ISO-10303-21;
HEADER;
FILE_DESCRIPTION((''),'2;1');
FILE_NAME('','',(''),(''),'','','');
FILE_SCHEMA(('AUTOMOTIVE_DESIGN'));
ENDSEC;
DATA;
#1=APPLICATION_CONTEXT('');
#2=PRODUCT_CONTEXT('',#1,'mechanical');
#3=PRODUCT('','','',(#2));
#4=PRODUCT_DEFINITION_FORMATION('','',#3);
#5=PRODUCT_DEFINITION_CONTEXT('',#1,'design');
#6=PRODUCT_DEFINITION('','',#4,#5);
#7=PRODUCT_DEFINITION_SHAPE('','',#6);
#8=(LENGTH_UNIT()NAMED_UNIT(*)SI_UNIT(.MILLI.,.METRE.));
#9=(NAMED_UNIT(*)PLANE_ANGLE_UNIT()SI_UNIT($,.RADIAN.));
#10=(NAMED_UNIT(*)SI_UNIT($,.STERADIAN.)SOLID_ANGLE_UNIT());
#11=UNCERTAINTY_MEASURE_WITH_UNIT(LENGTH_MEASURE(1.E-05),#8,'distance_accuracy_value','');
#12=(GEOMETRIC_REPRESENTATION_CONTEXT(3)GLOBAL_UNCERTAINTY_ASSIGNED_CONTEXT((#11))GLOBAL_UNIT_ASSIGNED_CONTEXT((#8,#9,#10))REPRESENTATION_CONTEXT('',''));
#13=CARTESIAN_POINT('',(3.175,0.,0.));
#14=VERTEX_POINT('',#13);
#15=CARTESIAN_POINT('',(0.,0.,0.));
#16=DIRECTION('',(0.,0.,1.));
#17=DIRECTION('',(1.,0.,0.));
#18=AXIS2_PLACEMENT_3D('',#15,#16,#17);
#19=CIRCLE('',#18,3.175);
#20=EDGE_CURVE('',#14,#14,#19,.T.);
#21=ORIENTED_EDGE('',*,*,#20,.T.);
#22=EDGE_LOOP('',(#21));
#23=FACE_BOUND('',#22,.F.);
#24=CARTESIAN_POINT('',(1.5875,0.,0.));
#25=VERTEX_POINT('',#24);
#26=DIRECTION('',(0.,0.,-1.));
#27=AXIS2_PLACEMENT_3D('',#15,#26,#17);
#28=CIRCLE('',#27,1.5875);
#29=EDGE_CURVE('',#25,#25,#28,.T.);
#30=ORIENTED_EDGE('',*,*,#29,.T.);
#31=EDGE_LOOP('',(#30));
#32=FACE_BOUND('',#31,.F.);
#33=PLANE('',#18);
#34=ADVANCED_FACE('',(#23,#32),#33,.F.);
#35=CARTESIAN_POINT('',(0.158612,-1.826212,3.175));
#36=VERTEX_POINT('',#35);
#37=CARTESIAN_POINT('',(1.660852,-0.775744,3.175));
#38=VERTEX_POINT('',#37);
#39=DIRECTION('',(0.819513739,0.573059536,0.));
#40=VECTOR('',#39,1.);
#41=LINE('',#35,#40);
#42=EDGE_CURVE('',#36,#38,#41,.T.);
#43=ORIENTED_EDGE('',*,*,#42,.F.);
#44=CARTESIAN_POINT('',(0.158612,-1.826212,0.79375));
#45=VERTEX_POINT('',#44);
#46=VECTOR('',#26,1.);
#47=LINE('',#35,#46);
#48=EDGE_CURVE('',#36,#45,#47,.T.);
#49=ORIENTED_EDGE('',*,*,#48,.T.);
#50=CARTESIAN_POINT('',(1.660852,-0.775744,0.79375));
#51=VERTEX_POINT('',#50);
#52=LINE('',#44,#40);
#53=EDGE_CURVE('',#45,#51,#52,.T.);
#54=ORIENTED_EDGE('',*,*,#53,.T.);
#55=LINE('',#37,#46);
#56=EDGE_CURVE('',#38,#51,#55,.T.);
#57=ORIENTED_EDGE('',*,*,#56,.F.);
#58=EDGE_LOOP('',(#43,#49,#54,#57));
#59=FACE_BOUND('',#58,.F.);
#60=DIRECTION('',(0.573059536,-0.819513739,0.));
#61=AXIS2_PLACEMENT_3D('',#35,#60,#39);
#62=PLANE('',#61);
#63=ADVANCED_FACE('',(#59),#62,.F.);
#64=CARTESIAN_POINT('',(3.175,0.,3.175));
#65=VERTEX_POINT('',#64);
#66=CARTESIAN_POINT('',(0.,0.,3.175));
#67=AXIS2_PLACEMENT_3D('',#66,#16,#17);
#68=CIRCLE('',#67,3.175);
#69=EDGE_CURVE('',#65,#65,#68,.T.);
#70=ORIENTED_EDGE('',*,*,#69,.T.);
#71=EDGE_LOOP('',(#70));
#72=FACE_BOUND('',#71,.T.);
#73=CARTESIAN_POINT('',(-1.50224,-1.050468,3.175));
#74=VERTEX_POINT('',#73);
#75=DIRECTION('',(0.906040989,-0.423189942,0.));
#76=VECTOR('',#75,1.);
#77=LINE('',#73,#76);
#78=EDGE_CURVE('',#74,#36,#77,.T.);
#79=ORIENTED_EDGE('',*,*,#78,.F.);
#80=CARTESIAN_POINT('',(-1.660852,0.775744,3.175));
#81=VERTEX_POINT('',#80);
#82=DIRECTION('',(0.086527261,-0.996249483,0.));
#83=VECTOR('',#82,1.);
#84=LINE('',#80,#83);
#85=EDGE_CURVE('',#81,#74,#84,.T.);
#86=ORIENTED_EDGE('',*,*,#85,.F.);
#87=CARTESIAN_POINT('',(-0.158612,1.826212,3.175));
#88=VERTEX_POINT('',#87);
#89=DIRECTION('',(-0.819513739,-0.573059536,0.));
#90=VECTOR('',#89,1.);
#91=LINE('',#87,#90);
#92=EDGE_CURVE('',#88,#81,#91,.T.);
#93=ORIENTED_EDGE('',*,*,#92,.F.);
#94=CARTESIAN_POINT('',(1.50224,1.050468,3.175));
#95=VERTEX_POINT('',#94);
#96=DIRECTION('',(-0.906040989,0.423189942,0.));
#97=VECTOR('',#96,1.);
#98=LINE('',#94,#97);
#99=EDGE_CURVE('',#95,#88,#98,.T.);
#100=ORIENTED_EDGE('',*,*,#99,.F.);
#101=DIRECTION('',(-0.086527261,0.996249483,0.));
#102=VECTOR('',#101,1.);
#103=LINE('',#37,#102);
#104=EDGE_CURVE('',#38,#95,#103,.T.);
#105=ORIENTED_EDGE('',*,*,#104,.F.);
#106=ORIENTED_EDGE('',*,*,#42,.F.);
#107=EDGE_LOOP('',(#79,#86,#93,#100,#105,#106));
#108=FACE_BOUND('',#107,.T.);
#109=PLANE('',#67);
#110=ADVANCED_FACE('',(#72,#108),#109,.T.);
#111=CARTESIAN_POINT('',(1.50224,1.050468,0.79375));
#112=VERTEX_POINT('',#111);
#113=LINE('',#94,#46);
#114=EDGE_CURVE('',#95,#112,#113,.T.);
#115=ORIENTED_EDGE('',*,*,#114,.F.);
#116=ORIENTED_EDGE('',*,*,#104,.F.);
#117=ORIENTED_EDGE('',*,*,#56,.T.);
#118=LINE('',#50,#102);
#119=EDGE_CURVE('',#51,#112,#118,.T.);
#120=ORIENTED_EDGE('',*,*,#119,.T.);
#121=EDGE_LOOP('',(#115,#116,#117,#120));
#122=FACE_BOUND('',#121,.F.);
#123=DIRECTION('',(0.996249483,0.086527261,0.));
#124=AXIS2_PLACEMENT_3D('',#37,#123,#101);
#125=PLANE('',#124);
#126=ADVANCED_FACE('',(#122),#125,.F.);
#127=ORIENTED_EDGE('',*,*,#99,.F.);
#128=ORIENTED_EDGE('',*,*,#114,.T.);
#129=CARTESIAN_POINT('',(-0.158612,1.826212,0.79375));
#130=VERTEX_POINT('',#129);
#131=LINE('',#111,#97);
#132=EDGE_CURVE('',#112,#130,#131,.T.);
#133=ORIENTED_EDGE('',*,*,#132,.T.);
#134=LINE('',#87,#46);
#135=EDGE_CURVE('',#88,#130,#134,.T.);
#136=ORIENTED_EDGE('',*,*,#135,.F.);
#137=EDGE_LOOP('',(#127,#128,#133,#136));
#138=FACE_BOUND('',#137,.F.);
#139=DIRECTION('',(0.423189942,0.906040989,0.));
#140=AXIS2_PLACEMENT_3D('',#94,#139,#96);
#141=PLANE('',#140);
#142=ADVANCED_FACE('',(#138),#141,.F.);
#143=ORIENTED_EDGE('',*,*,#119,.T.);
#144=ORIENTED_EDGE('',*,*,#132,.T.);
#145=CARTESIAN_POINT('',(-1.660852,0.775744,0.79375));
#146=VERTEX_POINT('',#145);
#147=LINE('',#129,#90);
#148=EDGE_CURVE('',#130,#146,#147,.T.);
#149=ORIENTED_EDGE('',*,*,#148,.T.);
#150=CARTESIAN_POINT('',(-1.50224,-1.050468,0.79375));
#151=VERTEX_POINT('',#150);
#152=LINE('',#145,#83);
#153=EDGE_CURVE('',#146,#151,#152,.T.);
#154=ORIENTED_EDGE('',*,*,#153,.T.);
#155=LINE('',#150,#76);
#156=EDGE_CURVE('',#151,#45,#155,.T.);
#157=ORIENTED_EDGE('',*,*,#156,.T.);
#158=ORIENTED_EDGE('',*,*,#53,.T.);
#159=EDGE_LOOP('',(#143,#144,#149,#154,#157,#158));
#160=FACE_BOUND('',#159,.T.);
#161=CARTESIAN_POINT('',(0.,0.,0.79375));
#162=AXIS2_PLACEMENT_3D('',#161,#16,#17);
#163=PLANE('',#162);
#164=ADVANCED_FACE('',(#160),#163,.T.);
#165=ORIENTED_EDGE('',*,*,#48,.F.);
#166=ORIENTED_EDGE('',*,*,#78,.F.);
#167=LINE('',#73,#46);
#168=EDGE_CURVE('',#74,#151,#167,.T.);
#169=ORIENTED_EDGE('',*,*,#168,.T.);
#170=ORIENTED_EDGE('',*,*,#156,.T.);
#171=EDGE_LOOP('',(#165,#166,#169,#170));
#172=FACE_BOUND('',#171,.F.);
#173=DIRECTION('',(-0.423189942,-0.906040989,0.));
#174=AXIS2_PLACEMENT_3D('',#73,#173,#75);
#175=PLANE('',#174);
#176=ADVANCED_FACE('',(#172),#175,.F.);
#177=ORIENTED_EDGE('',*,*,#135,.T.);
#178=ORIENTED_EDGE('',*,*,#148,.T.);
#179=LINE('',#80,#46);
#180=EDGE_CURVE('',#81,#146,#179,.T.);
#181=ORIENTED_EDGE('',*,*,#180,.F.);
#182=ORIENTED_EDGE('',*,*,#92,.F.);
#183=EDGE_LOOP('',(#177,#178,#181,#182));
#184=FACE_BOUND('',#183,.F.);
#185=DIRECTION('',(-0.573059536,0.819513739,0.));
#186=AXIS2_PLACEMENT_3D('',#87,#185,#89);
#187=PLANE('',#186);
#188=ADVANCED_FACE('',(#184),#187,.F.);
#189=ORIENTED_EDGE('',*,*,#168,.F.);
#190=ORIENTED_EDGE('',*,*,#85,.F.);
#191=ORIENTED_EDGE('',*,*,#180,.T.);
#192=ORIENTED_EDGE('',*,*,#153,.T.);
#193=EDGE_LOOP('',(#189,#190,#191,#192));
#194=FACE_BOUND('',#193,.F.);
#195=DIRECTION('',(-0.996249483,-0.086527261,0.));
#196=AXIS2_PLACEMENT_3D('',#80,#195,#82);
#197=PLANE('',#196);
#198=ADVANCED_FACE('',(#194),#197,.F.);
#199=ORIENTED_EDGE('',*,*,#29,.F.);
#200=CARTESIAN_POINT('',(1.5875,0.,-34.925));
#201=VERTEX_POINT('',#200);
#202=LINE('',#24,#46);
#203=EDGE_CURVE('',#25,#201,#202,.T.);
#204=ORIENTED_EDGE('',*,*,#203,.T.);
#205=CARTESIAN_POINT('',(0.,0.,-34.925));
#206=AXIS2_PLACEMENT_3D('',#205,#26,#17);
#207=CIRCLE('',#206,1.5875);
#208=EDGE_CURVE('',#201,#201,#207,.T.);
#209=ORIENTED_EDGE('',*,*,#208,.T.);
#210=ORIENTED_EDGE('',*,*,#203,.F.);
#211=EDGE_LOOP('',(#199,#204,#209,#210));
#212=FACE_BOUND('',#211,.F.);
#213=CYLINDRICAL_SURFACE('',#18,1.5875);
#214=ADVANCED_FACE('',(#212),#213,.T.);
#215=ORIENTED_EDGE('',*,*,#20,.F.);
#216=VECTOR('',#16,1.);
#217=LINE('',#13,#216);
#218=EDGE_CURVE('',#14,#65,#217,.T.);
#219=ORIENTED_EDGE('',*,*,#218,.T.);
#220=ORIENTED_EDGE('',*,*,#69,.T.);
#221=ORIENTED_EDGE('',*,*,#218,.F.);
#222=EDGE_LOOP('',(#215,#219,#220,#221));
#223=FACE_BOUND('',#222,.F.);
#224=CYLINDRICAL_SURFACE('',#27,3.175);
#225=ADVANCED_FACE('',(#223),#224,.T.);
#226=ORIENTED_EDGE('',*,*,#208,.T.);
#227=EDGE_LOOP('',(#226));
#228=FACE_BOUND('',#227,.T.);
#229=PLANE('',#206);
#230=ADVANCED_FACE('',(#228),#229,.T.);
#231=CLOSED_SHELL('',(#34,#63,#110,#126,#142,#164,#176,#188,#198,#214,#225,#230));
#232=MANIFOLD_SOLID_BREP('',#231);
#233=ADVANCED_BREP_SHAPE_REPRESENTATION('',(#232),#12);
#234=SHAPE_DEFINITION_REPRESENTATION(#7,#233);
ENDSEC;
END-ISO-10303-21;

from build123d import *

# Parameters (mm, degrees)
F0_R     = 3.175
F1_DEPTH = 3.175
F2_R     = 1.5875
F3_DEPTH = 34.925
F5_DEPTH = 2.38125


with BuildPart() as f1:
    # F0 (on Top) → F1 (new body)
    with BuildSketch(Plane.XY):
        Circle(F0_R)
    extrude(amount=F1_DEPTH)

    # F2 (on face) → F3 (join)
    with BuildSketch(Plane(origin=(0, 0, 0), x_dir=(1, 0, 0), z_dir=(0, 0, -1))):
        Circle(F2_R)
    extrude(amount=F3_DEPTH)

    # F4 (on face) → F5 (cut)
    with BuildSketch(Plane.XY.offset(3.175)):
        Polygon((1.50224, 1.050468), (-0.158612, 1.826212), (-1.660852, 0.775744), (-1.50224, -1.050468), (0.158612, -1.826212), (1.660852, -0.775744), align=None)
    extrude(amount=-F5_DEPTH, mode=Mode.SUBTRACT)


solid = f1.part
